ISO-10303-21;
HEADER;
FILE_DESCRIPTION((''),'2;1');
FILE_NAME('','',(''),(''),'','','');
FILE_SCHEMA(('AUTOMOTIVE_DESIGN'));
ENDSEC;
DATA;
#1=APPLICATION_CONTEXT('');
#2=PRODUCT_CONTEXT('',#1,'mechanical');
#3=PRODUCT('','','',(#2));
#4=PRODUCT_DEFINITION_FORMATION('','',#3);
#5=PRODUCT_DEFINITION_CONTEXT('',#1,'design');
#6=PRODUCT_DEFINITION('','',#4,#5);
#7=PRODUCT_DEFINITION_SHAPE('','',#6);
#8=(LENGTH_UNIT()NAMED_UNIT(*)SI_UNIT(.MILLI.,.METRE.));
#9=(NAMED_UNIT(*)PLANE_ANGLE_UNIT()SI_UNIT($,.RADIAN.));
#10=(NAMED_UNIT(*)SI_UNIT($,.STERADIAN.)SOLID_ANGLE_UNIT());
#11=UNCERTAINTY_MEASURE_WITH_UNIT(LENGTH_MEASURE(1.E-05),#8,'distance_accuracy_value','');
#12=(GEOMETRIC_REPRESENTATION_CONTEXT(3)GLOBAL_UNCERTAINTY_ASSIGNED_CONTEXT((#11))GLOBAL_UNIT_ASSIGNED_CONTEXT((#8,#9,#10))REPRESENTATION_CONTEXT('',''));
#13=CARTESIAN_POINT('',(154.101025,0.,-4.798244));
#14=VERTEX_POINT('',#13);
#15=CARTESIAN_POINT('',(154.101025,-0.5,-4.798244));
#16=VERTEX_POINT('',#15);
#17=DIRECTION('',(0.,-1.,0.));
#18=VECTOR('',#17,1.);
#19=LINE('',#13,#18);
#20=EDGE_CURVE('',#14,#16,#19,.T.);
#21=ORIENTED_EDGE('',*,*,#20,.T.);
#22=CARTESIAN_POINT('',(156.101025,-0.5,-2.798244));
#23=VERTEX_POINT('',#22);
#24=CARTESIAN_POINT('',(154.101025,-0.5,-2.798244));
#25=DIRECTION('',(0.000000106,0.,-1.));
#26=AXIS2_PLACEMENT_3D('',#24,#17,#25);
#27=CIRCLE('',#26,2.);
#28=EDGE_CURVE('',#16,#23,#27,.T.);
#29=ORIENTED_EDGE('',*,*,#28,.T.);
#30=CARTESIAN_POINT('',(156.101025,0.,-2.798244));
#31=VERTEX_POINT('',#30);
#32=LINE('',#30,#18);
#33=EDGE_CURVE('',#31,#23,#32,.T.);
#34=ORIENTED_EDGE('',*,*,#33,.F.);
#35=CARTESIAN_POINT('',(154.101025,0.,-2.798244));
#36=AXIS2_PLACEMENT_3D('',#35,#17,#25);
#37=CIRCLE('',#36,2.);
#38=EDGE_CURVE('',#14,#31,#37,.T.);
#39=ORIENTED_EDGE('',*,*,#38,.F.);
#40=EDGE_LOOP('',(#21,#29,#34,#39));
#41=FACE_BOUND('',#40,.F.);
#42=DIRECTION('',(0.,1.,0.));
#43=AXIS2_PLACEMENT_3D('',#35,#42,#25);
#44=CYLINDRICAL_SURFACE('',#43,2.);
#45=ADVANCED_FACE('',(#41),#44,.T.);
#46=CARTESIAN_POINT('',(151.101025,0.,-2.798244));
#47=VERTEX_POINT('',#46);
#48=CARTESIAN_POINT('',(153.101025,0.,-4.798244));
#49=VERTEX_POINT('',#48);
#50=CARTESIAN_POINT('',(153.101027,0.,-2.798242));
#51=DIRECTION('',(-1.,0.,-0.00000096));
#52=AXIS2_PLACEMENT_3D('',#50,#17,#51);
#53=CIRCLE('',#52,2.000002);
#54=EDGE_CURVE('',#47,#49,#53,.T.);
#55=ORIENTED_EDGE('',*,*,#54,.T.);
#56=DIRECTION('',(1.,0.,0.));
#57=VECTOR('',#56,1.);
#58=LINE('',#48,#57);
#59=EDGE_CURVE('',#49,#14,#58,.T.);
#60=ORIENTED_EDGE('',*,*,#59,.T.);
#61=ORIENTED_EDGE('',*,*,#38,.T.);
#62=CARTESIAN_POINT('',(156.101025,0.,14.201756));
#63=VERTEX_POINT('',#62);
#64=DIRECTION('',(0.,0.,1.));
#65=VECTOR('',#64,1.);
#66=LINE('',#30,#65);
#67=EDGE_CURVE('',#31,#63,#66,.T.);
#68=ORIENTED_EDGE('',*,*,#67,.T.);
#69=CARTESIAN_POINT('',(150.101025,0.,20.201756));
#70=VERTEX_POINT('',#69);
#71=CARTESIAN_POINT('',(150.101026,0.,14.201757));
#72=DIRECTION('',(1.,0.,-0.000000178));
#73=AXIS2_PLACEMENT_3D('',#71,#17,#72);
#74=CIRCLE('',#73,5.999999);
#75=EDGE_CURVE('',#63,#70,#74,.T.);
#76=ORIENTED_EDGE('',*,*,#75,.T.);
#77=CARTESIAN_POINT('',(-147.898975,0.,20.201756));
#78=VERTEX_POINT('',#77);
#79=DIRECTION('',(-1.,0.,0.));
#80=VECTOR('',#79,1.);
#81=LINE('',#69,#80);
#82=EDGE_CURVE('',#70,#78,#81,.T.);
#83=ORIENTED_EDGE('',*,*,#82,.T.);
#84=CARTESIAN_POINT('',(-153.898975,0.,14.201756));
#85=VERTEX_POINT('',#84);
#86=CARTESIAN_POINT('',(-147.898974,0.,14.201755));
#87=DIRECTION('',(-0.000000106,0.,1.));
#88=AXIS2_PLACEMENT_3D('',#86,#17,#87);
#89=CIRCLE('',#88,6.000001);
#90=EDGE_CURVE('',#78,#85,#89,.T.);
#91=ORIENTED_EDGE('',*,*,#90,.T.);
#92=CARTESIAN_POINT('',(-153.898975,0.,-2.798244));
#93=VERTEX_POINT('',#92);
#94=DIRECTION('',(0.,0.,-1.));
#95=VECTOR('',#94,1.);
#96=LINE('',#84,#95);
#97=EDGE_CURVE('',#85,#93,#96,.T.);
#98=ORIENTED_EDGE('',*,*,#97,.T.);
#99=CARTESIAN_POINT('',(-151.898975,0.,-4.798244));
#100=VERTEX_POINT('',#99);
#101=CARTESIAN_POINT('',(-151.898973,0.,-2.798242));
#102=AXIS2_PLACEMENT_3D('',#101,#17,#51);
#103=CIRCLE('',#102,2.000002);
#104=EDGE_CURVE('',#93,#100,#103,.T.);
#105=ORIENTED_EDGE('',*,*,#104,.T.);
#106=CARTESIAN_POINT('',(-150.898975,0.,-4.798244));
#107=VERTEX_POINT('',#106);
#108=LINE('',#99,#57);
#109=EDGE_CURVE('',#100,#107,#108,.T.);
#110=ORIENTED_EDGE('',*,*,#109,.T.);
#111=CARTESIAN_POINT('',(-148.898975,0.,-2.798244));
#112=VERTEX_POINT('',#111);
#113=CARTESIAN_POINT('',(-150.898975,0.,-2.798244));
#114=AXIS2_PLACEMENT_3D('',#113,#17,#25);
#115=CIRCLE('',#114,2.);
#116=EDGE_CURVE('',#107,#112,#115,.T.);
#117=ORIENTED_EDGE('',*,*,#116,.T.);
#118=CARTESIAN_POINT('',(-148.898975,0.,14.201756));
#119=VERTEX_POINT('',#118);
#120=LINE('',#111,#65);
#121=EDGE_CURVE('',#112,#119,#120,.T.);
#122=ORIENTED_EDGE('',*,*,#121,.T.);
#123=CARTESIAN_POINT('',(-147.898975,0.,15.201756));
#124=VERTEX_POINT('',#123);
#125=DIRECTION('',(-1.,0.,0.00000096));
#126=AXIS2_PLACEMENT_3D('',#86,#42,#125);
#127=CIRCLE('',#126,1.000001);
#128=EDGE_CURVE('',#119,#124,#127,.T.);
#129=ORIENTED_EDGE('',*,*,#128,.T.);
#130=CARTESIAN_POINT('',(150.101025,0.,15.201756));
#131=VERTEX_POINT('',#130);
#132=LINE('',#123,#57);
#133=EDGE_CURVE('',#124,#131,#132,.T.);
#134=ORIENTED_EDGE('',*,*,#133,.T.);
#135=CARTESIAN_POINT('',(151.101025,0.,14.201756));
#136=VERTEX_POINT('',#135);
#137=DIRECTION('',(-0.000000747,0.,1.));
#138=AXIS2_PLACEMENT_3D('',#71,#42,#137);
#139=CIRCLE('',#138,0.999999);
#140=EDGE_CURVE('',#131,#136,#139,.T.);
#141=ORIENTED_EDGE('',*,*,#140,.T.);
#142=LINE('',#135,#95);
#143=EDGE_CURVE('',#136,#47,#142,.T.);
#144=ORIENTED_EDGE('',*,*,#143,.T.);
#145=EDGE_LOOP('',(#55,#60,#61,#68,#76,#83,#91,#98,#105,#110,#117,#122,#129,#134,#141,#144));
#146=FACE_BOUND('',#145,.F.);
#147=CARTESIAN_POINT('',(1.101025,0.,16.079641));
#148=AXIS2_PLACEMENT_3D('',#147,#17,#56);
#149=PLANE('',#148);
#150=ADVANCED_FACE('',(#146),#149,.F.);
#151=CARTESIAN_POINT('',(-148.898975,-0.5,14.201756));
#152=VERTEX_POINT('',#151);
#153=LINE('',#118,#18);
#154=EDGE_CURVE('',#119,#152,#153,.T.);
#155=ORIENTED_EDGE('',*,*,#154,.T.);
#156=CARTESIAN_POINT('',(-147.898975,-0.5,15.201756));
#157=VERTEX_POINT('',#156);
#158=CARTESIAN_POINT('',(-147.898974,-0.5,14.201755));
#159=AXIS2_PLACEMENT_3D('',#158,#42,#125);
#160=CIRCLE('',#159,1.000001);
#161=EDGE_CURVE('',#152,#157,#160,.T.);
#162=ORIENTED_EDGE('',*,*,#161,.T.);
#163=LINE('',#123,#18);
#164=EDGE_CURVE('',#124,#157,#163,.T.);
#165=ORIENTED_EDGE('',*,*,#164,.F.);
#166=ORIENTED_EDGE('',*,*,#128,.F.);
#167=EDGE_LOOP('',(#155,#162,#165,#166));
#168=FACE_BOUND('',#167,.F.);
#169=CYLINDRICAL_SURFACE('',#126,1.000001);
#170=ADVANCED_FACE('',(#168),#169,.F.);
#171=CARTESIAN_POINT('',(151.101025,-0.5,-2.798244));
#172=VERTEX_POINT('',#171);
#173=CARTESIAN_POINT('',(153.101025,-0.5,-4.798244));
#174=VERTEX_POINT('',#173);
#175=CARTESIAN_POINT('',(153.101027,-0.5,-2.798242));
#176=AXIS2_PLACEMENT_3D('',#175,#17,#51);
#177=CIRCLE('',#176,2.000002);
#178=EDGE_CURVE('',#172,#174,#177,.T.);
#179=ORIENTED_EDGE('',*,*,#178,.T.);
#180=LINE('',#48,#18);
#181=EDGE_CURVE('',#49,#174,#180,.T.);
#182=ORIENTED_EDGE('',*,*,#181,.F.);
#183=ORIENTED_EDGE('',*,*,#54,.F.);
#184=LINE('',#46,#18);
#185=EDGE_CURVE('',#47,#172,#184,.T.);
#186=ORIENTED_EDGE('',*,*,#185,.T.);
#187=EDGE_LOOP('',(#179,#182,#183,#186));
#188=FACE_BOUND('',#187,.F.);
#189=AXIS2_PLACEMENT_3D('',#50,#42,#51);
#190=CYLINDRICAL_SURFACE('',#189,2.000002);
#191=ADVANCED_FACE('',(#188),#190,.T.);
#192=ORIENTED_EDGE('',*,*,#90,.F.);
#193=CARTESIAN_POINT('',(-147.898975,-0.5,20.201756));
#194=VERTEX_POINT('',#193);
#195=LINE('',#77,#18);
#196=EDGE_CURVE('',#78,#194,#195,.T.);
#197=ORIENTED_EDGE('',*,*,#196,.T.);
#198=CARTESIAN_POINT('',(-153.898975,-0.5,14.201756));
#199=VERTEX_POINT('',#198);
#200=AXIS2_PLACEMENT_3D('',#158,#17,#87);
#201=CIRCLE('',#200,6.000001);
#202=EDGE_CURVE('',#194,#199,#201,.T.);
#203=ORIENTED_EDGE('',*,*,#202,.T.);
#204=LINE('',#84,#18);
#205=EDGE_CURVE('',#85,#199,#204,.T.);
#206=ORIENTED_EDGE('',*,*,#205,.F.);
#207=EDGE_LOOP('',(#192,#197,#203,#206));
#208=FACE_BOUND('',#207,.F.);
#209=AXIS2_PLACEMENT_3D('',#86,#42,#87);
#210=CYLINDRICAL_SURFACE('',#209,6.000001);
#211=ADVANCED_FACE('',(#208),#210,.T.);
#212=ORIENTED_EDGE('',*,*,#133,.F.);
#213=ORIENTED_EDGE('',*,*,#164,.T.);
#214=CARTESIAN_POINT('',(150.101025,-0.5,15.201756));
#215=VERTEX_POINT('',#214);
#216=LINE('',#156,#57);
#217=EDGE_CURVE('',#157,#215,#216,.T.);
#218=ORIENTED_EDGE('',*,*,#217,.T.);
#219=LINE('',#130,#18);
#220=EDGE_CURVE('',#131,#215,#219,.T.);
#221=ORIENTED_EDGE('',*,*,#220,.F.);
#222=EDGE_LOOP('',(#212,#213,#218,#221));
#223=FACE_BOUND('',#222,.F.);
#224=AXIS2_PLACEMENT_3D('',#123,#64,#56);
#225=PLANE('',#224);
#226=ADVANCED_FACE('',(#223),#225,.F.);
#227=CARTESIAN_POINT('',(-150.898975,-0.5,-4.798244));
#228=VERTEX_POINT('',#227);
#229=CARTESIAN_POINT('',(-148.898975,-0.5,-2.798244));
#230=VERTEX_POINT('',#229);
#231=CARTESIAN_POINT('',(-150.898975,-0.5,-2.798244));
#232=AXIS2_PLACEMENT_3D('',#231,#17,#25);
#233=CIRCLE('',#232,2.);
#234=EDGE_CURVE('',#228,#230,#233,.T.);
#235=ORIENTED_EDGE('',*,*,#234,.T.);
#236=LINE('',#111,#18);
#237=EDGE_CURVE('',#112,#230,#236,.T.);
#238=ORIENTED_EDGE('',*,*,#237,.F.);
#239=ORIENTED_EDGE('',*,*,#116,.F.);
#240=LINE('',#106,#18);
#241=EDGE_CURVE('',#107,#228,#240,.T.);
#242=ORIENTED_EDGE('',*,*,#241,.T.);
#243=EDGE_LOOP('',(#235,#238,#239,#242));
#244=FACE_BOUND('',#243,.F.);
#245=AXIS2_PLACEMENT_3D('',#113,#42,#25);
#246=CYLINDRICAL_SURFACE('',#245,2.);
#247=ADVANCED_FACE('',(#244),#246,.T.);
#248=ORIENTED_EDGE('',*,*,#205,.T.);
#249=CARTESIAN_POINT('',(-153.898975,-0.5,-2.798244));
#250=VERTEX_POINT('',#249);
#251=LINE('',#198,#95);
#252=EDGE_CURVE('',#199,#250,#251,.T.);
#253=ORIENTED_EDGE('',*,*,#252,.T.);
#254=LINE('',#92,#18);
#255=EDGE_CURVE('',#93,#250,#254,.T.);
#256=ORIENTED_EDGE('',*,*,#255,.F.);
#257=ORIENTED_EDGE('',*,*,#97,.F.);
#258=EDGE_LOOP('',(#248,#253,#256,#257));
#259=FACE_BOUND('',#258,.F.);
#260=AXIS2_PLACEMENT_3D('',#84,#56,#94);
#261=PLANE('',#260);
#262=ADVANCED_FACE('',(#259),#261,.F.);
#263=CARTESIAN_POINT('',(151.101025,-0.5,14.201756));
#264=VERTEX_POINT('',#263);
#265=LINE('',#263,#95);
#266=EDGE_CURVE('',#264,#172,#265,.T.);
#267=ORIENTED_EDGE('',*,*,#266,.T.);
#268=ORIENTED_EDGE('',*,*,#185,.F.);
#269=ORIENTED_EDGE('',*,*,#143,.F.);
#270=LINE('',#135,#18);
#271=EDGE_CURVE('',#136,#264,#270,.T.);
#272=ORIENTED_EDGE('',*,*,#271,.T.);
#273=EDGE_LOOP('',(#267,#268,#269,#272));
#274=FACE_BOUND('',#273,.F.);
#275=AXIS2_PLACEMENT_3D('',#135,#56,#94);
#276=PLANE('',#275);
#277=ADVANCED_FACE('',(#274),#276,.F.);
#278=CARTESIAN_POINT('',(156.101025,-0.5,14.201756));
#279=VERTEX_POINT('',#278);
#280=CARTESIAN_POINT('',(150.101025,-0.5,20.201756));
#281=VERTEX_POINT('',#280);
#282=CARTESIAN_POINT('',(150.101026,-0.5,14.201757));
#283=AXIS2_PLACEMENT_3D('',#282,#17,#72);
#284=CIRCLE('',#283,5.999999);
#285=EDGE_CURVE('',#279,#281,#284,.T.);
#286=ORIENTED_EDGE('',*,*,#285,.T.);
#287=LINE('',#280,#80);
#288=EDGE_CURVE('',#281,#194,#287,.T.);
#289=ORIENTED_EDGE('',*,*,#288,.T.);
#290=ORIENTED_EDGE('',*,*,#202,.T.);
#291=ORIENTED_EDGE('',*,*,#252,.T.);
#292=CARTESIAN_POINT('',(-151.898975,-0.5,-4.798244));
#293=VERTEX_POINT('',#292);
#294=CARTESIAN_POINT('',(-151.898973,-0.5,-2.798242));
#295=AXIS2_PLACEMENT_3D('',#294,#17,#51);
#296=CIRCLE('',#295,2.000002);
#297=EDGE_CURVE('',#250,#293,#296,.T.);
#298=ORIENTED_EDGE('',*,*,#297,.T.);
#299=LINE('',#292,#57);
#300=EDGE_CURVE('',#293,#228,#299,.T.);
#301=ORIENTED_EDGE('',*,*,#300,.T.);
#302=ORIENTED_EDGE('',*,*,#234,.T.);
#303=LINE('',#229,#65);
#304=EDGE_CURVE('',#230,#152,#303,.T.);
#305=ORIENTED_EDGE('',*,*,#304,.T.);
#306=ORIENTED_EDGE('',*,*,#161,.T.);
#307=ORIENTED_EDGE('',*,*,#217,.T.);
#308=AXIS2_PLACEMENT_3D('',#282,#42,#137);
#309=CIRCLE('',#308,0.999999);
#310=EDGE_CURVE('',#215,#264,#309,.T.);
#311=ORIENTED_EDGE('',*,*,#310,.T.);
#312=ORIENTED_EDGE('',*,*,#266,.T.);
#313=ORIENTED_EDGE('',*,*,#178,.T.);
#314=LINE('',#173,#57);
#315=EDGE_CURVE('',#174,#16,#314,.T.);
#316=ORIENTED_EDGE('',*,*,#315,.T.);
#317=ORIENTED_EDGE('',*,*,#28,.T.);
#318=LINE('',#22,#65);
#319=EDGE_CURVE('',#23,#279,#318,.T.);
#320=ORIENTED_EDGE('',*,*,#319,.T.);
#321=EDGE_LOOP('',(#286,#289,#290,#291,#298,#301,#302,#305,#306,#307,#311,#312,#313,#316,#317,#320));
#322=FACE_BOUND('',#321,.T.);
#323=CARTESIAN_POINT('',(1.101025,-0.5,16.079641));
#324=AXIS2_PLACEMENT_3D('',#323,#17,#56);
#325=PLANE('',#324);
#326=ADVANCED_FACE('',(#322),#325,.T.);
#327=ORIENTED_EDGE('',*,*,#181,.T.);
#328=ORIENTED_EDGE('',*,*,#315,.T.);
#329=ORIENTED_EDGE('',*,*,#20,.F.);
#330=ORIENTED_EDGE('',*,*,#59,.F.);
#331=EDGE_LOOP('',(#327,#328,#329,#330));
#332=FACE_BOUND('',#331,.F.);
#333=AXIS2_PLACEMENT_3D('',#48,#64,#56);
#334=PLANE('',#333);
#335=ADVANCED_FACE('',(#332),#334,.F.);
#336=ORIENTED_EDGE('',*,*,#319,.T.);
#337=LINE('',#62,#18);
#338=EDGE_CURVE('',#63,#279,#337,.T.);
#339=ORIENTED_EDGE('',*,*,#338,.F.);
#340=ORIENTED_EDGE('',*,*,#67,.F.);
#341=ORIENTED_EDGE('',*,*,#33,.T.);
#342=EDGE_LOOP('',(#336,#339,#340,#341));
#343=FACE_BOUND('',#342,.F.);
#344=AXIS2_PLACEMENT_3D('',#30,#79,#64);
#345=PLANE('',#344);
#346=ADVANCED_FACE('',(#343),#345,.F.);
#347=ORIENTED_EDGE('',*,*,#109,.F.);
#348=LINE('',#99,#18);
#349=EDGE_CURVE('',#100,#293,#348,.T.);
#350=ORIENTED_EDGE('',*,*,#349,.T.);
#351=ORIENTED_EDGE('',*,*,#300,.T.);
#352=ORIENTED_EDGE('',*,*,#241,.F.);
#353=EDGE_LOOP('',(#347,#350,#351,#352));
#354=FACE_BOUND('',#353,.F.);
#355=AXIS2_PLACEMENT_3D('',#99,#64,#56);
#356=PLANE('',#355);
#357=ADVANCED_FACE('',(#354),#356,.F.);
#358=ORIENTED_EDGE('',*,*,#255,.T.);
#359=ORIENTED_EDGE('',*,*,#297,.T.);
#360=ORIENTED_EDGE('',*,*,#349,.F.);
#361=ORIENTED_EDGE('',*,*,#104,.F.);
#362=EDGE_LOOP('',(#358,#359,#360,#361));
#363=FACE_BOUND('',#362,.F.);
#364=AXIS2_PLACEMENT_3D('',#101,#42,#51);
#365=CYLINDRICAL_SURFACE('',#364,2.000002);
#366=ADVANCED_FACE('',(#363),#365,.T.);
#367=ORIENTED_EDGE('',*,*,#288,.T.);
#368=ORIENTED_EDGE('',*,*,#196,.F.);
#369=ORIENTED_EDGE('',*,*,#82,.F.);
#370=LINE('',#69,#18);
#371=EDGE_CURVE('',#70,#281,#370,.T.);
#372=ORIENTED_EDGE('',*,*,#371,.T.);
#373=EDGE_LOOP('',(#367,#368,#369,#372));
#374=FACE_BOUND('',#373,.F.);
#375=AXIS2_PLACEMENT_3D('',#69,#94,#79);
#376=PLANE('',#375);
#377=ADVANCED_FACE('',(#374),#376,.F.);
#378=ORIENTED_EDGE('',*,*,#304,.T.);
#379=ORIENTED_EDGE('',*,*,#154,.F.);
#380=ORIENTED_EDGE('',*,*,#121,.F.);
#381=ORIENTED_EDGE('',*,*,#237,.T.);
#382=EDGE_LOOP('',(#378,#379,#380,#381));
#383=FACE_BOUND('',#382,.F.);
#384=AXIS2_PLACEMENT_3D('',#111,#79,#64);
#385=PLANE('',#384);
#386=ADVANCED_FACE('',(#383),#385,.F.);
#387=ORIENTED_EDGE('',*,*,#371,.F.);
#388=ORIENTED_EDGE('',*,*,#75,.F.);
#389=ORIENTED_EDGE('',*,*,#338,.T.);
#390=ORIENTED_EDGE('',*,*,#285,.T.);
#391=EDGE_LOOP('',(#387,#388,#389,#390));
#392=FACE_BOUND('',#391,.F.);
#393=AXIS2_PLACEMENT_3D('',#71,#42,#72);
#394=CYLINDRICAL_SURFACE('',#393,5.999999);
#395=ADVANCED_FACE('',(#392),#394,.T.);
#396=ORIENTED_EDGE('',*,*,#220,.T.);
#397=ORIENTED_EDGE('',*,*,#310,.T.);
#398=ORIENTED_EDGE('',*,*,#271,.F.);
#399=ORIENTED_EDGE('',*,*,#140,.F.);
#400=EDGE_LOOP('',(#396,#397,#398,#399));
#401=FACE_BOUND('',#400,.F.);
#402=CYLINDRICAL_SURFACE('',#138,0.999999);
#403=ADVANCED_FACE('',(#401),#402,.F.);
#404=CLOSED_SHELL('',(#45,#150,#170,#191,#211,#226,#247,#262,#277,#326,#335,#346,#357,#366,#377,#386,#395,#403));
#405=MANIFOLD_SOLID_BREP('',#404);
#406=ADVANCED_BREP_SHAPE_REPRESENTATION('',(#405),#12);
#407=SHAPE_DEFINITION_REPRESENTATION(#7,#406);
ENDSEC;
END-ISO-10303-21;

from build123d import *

# Parameters (mm, degrees)
F1_DEPTH = 0.5


with BuildPart() as f1:
    # F0 (on Front) → F1 (new body)
    with BuildSketch(Plane.XZ):
        with BuildLine():
            ThreePointArc((-150.898975, -4.798244), (-149.484761, -4.212457), (-148.898975, -2.798244))
            Line((-148.898975, -2.798244), (-148.898975, 14.201756))
            ThreePointArc((-148.898975, 14.201756), (-148.606081, 14.908863), (-147.898975, 15.201756))
            Line((-147.898975, 15.201756), (150.101025, 15.201756))
            ThreePointArc((150.101025, 15.201756), (150.808132, 14.908863), (151.101025, 14.201756))
            Line((151.101025, 14.201756), (151.101025, -2.798244))
            ThreePointArc((151.101025, -2.798244), (151.686812, -4.212457), (153.101025, -4.798244))
            Line((153.101025, -4.798244), (154.101025, -4.798244))
            ThreePointArc((154.101025, -4.798244), (155.515239, -4.212457), (156.101025, -2.798244))
            Line((156.101025, -2.798244), (156.101025, 14.201756))
            ThreePointArc((156.101025, 14.201756), (154.343666, 18.444397), (150.101025, 20.201756))
            Line((150.101025, 20.201756), (-147.898975, 20.201756))
            ThreePointArc((-147.898975, 20.201756), (-152.141615, 18.444397), (-153.898975, 14.201756))
            Line((-153.898975, 14.201756), (-153.898975, -2.798244))
            ThreePointArc((-153.898975, -2.798244), (-153.313188, -4.212457), (-151.898975, -4.798244))
            Line((-151.898975, -4.798244), (-150.898975, -4.798244))
        make_face()
    extrude(amount=F1_DEPTH)


solid = f1.part
